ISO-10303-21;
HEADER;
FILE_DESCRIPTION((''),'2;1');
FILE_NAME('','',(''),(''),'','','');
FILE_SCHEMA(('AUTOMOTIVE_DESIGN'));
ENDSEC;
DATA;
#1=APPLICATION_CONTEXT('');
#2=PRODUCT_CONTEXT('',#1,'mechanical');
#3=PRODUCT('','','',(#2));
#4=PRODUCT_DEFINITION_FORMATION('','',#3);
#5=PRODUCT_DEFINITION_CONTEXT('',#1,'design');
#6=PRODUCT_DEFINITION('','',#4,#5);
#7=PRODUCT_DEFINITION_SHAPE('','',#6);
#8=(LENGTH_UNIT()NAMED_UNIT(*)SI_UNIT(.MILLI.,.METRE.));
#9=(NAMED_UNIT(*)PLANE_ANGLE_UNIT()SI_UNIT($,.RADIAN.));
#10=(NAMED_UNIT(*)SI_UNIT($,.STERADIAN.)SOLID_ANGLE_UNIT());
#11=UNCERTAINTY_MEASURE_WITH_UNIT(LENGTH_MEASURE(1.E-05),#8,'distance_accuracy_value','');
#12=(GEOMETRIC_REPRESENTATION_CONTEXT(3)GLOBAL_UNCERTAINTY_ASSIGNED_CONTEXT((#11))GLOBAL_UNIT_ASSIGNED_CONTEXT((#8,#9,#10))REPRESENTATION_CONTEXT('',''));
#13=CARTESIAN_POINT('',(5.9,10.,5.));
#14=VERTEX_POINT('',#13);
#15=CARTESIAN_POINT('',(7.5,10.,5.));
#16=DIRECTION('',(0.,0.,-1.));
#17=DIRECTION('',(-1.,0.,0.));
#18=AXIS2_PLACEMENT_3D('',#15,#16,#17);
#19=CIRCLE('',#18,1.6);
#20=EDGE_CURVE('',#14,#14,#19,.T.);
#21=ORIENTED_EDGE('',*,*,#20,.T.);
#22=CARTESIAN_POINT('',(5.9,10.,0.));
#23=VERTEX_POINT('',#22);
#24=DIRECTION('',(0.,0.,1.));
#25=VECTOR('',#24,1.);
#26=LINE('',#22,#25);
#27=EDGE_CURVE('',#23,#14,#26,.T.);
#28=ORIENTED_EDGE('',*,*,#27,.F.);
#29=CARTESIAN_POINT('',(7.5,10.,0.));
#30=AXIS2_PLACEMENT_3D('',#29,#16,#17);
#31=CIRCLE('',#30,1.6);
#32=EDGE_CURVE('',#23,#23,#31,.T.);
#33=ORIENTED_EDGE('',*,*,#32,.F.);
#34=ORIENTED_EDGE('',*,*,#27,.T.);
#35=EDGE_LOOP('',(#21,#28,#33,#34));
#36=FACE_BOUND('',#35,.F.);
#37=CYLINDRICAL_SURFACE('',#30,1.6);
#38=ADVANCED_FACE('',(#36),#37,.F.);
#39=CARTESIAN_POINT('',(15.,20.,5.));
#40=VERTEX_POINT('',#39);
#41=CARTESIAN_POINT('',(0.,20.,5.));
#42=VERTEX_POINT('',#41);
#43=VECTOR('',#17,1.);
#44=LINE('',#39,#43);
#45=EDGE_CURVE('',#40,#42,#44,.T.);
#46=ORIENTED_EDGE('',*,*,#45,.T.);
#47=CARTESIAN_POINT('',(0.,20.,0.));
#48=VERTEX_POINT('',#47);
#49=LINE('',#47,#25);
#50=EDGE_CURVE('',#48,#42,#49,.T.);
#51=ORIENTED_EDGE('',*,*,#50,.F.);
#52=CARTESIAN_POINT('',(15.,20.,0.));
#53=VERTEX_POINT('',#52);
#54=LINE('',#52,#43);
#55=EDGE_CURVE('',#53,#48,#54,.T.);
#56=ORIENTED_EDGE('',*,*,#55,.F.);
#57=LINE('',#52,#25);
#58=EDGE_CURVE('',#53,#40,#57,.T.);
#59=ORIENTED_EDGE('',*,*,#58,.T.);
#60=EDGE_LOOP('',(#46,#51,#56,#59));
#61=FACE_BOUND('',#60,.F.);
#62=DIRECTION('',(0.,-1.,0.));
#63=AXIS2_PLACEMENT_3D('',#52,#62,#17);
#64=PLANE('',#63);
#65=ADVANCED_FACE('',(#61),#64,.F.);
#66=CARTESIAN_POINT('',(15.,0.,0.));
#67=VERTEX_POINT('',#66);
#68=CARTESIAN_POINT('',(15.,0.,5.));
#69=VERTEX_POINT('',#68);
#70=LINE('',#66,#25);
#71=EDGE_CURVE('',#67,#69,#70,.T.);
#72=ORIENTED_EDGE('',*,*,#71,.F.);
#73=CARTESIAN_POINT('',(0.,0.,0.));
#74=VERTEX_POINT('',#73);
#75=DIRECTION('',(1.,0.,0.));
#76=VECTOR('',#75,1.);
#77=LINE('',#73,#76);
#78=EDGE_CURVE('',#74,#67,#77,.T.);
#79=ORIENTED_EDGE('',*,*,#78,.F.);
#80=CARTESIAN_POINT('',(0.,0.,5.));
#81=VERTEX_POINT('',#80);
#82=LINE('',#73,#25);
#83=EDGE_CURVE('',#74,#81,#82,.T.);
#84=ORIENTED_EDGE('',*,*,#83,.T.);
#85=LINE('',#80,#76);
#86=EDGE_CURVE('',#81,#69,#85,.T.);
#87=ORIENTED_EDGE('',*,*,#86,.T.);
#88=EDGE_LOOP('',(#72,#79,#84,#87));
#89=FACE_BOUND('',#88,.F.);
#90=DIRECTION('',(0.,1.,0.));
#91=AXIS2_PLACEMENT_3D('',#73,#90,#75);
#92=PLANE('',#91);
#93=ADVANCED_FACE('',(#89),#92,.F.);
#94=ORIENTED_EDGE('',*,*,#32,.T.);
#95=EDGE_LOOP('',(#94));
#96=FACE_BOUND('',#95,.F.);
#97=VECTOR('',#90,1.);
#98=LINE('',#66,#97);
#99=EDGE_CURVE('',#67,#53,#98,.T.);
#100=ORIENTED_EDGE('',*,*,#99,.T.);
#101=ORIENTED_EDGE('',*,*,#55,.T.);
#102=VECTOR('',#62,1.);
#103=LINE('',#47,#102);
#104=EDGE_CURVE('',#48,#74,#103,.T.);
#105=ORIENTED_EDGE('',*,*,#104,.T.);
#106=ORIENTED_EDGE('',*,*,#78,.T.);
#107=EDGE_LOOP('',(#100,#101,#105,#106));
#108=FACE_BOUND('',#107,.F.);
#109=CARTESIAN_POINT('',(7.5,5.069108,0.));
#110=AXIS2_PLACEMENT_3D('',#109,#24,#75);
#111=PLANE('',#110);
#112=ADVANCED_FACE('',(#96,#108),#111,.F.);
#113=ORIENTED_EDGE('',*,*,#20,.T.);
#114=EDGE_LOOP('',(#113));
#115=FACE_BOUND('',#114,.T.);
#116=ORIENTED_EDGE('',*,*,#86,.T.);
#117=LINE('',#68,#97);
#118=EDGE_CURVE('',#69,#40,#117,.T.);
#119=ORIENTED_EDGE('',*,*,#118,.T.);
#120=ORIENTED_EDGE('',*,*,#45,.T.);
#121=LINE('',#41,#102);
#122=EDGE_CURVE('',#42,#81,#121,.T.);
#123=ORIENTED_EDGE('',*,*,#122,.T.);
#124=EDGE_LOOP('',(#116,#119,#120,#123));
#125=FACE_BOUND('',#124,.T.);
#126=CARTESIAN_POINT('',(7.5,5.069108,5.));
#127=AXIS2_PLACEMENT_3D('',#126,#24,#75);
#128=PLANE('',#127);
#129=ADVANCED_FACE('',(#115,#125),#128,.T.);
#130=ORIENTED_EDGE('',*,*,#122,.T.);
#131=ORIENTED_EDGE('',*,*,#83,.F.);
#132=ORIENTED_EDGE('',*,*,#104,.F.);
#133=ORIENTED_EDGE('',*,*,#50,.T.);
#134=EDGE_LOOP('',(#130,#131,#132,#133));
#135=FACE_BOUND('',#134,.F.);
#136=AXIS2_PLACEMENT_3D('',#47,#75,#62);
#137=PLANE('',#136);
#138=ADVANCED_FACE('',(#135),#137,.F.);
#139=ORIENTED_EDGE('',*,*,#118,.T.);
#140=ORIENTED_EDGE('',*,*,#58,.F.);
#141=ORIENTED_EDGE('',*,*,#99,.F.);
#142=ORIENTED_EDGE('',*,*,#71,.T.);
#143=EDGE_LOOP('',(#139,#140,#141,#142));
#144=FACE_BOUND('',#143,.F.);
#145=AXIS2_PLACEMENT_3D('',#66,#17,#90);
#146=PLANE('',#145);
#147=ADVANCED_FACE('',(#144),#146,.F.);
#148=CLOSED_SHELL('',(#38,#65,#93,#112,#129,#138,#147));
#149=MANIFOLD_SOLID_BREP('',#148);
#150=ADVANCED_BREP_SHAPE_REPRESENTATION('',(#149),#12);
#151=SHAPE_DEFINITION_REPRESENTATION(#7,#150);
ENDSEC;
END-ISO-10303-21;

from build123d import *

# Parameters (mm, degrees)
F1_DEPTH = 5


with BuildPart() as f1:
    # F0 (on Top) → F1 (new body)
    with BuildSketch(Plane.XY):
        with BuildLine():
            Line((0, 10), (0, 0))
            Line((0, 0), (15, 0))
            Line((15, 0), (15, 10))
            Line((15, 10), (9.1, 10))
            ThreePointArc((9.1, 10), (7.5, 8.4), (5.9, 10))
            Line((5.9, 10), (0, 10))
        make_face()
        with BuildLine():
            Line((0, 20), (0, 10))
            Line((0, 10), (5.9, 10))
            ThreePointArc((5.9, 10), (7.5, 11.6), (9.1, 10))
            Line((9.1, 10), (15, 10))
            Line((15, 10), (15, 20))
            Line((15, 20), (0, 20))
        make_face()
    extrude(amount=F1_DEPTH)


solid = f1.part
